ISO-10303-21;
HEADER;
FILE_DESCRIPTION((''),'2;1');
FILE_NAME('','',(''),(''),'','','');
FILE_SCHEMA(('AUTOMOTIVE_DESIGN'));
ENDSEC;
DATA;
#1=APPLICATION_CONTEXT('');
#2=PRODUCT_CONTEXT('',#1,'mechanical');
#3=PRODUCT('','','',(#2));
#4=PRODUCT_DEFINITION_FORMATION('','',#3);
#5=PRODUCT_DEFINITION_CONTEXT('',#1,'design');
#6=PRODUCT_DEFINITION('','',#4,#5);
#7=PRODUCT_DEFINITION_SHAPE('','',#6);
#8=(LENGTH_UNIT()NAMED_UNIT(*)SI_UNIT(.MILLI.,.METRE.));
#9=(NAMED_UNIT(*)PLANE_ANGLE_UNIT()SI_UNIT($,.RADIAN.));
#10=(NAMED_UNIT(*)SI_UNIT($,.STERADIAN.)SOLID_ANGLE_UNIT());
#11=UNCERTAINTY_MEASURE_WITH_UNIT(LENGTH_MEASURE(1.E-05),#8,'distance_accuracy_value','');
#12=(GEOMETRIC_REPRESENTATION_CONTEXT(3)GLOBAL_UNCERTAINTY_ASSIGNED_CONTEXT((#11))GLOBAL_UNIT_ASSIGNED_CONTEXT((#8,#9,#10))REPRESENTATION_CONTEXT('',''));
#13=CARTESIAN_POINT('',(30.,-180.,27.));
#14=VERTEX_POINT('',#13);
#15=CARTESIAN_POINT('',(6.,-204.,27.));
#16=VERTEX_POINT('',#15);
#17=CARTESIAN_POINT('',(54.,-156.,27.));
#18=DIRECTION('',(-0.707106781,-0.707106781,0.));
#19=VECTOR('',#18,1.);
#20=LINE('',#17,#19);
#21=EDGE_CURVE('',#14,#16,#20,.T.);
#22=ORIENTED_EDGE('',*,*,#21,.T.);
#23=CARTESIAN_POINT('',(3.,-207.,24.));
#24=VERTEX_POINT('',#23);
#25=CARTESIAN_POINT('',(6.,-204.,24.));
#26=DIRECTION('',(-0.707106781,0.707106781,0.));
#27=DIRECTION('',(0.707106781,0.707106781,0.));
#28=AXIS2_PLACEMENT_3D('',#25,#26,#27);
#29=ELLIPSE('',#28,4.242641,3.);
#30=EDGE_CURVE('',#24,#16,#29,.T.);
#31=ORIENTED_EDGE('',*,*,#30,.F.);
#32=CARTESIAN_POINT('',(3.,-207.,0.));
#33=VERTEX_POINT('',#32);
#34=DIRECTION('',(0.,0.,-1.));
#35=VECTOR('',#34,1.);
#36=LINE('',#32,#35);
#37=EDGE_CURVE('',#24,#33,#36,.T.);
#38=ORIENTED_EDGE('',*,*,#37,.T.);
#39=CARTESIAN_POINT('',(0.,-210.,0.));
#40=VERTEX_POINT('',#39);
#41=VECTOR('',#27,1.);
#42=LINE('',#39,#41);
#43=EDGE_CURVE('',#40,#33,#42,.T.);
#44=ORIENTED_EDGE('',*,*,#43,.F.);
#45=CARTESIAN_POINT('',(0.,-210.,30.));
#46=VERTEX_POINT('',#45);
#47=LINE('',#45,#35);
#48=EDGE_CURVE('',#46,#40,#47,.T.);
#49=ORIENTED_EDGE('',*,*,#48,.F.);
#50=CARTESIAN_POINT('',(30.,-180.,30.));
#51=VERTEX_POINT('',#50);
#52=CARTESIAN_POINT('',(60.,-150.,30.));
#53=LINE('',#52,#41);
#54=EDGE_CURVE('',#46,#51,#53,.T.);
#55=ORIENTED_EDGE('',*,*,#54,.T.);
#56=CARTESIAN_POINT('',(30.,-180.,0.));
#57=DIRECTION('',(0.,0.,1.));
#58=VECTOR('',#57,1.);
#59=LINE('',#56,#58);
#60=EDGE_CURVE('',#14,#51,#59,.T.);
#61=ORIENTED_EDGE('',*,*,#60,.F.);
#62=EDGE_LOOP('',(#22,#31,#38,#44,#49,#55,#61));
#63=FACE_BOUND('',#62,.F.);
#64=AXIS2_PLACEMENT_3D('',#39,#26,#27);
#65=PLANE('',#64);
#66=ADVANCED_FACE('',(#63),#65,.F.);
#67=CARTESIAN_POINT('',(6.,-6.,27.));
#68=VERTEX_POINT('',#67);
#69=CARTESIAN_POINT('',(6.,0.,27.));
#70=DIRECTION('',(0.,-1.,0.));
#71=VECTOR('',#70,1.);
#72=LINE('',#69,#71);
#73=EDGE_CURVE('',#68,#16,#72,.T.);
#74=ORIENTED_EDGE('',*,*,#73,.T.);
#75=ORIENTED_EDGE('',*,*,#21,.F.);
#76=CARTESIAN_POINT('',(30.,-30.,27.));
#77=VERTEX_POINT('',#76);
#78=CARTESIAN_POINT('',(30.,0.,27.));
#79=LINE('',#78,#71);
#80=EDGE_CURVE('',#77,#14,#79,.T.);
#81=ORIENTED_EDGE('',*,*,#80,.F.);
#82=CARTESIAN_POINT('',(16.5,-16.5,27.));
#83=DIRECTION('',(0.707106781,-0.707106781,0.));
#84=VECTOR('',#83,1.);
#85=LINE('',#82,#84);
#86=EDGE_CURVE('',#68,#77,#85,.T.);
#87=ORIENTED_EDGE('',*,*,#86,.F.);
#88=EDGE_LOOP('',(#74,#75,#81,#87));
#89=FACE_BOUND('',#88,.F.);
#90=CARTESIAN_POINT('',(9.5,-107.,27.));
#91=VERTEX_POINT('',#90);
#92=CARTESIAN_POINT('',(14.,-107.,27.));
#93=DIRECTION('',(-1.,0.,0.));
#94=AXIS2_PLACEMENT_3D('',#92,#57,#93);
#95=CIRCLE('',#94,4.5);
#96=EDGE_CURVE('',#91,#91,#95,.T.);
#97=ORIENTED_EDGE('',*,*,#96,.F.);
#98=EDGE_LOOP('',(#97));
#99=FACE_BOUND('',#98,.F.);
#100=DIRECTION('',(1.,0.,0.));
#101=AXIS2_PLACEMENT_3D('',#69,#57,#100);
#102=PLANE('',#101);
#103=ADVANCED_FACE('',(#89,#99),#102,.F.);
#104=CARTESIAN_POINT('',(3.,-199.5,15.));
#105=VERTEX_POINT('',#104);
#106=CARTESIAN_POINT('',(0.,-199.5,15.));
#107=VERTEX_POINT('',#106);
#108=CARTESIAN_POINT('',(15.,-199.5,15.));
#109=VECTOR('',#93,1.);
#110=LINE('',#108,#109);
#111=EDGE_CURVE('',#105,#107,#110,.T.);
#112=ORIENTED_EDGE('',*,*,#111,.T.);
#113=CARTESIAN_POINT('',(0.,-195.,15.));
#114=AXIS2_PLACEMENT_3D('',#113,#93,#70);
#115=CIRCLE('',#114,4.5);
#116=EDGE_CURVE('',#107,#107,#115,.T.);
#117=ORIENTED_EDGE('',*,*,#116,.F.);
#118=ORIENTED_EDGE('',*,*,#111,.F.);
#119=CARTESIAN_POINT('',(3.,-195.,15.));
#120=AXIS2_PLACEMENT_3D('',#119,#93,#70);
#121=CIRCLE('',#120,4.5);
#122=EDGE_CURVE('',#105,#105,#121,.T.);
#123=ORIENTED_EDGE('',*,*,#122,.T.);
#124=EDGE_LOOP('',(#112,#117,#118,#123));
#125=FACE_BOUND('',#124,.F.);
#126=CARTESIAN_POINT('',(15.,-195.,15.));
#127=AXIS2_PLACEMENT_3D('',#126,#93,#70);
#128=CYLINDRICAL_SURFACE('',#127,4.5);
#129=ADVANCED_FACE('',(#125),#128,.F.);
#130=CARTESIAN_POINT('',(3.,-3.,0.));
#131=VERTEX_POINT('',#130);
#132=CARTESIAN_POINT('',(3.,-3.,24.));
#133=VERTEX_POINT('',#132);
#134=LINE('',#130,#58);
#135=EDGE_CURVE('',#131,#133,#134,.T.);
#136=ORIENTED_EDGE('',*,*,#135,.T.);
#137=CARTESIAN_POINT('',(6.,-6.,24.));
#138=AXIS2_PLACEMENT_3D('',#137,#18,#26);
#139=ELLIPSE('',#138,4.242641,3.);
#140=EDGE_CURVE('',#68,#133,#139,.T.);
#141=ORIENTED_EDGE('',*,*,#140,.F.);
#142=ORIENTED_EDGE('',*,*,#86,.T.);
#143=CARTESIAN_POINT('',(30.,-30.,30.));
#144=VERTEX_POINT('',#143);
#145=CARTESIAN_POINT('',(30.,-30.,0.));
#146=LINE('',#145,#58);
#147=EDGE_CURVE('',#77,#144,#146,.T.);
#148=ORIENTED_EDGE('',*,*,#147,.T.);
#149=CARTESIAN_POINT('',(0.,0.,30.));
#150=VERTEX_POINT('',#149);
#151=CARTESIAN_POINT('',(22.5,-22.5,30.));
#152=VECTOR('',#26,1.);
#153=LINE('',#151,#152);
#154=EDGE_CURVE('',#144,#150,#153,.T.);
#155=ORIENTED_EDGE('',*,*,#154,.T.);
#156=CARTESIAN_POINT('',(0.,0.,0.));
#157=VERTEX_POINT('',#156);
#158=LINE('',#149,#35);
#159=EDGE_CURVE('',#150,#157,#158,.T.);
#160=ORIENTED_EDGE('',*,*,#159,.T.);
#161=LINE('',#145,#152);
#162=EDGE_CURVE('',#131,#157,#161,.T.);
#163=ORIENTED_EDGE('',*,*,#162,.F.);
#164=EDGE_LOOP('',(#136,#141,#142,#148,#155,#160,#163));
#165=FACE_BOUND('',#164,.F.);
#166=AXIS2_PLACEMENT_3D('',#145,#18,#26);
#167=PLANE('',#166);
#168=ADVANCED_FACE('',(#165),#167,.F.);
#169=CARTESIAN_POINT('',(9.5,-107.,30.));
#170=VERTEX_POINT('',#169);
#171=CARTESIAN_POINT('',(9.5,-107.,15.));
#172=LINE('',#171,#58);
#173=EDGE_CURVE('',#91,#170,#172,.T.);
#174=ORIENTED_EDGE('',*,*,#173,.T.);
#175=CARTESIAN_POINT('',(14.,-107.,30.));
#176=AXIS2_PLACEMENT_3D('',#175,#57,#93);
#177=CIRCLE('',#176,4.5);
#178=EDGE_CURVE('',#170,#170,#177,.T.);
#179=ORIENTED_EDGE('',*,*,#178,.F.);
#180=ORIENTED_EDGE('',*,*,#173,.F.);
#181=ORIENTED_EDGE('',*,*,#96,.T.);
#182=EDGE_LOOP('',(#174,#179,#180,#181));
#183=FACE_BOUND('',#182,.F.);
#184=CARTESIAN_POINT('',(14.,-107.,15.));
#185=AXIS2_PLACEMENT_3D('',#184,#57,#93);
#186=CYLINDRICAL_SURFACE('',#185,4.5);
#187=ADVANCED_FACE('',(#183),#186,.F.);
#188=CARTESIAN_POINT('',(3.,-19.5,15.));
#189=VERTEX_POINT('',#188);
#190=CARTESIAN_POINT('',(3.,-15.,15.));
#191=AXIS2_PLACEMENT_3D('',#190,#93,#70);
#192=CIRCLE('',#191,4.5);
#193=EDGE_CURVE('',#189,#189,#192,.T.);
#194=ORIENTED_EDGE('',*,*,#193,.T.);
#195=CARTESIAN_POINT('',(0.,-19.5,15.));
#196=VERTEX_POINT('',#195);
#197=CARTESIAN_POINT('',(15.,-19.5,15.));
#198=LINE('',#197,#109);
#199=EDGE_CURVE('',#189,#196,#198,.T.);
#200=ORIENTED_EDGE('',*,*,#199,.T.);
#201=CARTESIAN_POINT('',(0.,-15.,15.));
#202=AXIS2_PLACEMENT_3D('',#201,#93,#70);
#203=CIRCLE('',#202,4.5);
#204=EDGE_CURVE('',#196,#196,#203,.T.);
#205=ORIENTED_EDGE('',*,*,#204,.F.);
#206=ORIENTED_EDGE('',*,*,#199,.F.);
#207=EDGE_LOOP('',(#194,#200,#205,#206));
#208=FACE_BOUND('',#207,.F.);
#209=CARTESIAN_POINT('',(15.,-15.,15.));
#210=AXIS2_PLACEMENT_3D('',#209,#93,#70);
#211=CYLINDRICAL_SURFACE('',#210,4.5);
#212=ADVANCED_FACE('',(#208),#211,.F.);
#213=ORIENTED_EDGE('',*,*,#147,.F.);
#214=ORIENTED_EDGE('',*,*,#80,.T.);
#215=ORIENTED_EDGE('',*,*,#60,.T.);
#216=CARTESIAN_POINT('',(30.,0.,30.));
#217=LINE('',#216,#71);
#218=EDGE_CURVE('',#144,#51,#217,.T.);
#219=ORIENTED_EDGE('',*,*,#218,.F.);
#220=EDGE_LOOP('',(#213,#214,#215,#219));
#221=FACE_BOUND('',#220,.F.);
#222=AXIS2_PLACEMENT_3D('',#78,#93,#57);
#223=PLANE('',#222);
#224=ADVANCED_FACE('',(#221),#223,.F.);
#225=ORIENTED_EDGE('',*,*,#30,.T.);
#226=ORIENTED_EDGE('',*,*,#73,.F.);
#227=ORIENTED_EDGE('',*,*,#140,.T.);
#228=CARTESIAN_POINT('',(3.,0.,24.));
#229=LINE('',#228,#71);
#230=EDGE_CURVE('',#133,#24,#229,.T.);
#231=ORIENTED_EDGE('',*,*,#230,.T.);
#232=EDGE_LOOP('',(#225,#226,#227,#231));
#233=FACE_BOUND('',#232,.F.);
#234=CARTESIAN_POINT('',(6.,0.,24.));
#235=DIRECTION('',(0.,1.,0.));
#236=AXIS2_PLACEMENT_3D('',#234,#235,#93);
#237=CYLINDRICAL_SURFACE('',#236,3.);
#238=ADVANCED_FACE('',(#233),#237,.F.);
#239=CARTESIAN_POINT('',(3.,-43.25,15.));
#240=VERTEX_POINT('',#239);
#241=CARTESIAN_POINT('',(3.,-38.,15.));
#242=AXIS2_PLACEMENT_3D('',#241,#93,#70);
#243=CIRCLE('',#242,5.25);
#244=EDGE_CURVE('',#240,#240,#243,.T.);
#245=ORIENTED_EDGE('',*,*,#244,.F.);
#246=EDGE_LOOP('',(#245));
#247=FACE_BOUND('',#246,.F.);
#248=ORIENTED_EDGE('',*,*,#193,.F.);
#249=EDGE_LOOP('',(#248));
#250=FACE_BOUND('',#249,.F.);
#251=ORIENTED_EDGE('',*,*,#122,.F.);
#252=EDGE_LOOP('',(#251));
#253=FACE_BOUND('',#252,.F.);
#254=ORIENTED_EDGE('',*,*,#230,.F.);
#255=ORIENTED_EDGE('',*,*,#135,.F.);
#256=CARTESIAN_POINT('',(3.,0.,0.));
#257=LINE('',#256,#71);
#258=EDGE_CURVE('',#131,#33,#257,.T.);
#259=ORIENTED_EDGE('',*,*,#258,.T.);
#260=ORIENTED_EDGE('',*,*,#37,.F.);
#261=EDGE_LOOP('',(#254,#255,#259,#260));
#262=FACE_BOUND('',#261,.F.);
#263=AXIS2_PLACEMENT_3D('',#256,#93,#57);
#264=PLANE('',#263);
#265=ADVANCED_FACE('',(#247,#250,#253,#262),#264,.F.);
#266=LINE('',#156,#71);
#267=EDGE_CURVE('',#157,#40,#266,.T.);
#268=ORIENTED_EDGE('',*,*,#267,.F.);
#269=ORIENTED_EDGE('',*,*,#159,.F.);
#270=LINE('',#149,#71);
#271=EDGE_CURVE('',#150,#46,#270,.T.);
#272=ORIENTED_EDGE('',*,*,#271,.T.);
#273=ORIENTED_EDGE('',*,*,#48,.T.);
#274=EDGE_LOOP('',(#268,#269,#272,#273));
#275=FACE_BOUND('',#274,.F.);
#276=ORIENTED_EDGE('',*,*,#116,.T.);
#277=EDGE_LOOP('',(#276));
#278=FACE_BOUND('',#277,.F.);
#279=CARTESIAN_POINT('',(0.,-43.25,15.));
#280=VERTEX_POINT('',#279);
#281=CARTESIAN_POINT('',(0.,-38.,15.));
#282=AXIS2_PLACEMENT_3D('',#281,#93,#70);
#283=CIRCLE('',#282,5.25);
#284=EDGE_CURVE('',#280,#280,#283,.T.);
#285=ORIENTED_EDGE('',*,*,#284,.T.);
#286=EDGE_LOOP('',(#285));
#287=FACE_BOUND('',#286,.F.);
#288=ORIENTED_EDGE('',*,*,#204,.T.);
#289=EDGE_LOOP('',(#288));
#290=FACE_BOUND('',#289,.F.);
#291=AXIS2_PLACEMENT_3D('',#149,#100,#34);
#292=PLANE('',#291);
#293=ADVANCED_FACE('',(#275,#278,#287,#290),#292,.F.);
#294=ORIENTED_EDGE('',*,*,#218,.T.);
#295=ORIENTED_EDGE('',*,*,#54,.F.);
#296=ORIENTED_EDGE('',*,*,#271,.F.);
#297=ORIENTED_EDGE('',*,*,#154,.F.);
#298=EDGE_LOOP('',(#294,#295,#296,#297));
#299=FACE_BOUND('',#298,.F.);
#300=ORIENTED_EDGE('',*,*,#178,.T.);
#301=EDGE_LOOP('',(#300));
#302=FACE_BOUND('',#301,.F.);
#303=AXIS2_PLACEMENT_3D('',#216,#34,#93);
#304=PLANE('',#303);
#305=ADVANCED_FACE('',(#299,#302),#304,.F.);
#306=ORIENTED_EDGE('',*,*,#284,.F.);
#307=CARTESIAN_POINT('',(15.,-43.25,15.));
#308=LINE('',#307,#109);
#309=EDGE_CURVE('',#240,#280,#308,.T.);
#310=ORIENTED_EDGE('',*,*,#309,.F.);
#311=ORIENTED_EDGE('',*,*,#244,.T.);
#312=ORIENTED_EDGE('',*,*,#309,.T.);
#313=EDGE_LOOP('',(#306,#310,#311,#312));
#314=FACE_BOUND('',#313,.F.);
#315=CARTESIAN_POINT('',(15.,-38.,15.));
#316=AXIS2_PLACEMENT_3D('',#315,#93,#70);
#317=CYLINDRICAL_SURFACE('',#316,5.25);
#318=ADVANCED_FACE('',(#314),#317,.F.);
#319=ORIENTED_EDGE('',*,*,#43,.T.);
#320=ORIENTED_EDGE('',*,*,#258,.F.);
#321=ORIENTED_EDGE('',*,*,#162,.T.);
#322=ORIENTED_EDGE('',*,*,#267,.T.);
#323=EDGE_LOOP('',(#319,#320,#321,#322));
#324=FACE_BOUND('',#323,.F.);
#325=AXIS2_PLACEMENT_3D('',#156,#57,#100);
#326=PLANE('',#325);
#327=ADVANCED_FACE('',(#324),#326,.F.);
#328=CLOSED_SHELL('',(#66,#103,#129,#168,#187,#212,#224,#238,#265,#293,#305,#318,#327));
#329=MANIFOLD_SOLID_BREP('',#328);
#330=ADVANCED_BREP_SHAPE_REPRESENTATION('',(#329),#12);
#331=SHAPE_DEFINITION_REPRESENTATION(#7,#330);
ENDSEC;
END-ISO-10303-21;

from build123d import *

# Parameters (mm, degrees)
F1_DEPTH = 210
F3_D     = 9
F3_DEPTH = 12
F3_TIP   = 2.7038727856
F5_D     = 10.5
F5_DEPTH = 12
F5_TIP   = 3.1545182499
F7_D     = 9
F7_DEPTH = 12
F7_TIP   = 2.7038727856
F9_DEPTH = 94


with BuildPart() as f1:
    # F0 (on Front) → F1 (new body)
    with BuildSketch(Plane.XZ):
        with BuildLine():
            Line((0, 30), (0, 0))
            Line((0, 0), (3, 0))
            Line((3, 0), (3, 24))
            ThreePointArc((3, 24), (3.8786796564, 26.1213203436), (6, 27))
            Line((6, 27), (30, 27))
            Line((30, 27), (30, 30))
            Line((30, 30), (0, 30))
        make_face()
    extrude(amount=F1_DEPTH)

    # F3
    with Locations(Plane.YZ.offset(3)):
        with Locations((-195, 15), (-15, 15)):
            Hole(F3_D / 2, depth=F3_DEPTH)
            with Locations((0, 0, -(F3_DEPTH + F3_TIP / 2))):  # 118° drill point
                Cone(0, F3_D / 2, F3_TIP, mode=Mode.SUBTRACT)

    # F5
    with Locations(Plane.YZ.offset(3)):
        with Locations((-38, 15)):
            Hole(F5_D / 2, depth=F5_DEPTH)
            with Locations((0, 0, -(F5_DEPTH + F5_TIP / 2))):  # 118° drill point
                Cone(0, F5_D / 2, F5_TIP, mode=Mode.SUBTRACT)

    # F7
    with Locations(Plane(origin=(0, 0, 27), x_dir=(1, 0, 0), z_dir=(0, 0, -1))):
        with Locations((14, 107)):
            Hole(F7_D / 2, depth=F7_DEPTH)
            with Locations((0, 0, -(F7_DEPTH + F7_TIP / 2))):  # 118° drill point
                Cone(0, F7_D / 2, F7_TIP, mode=Mode.SUBTRACT)

    # F8 (on face) → F9 (cut)
    with BuildSketch(Plane(origin=(0, 0, 0), x_dir=(1, 0, 0), z_dir=(0, 0, -1))):
        Polygon((30, 30), (3, 3), (3, 0), (30, 0), align=None)
        Polygon((3, 210), (3, 207), (30, 180), (30, 210), align=None)
        Polygon((3, 3), (0, 0), (3, 0), align=None)
        Polygon((3, 210), (0, 210), (3, 207), align=None)
    extrude(amount=-F9_DEPTH, mode=Mode.SUBTRACT)


solid = f1.part
